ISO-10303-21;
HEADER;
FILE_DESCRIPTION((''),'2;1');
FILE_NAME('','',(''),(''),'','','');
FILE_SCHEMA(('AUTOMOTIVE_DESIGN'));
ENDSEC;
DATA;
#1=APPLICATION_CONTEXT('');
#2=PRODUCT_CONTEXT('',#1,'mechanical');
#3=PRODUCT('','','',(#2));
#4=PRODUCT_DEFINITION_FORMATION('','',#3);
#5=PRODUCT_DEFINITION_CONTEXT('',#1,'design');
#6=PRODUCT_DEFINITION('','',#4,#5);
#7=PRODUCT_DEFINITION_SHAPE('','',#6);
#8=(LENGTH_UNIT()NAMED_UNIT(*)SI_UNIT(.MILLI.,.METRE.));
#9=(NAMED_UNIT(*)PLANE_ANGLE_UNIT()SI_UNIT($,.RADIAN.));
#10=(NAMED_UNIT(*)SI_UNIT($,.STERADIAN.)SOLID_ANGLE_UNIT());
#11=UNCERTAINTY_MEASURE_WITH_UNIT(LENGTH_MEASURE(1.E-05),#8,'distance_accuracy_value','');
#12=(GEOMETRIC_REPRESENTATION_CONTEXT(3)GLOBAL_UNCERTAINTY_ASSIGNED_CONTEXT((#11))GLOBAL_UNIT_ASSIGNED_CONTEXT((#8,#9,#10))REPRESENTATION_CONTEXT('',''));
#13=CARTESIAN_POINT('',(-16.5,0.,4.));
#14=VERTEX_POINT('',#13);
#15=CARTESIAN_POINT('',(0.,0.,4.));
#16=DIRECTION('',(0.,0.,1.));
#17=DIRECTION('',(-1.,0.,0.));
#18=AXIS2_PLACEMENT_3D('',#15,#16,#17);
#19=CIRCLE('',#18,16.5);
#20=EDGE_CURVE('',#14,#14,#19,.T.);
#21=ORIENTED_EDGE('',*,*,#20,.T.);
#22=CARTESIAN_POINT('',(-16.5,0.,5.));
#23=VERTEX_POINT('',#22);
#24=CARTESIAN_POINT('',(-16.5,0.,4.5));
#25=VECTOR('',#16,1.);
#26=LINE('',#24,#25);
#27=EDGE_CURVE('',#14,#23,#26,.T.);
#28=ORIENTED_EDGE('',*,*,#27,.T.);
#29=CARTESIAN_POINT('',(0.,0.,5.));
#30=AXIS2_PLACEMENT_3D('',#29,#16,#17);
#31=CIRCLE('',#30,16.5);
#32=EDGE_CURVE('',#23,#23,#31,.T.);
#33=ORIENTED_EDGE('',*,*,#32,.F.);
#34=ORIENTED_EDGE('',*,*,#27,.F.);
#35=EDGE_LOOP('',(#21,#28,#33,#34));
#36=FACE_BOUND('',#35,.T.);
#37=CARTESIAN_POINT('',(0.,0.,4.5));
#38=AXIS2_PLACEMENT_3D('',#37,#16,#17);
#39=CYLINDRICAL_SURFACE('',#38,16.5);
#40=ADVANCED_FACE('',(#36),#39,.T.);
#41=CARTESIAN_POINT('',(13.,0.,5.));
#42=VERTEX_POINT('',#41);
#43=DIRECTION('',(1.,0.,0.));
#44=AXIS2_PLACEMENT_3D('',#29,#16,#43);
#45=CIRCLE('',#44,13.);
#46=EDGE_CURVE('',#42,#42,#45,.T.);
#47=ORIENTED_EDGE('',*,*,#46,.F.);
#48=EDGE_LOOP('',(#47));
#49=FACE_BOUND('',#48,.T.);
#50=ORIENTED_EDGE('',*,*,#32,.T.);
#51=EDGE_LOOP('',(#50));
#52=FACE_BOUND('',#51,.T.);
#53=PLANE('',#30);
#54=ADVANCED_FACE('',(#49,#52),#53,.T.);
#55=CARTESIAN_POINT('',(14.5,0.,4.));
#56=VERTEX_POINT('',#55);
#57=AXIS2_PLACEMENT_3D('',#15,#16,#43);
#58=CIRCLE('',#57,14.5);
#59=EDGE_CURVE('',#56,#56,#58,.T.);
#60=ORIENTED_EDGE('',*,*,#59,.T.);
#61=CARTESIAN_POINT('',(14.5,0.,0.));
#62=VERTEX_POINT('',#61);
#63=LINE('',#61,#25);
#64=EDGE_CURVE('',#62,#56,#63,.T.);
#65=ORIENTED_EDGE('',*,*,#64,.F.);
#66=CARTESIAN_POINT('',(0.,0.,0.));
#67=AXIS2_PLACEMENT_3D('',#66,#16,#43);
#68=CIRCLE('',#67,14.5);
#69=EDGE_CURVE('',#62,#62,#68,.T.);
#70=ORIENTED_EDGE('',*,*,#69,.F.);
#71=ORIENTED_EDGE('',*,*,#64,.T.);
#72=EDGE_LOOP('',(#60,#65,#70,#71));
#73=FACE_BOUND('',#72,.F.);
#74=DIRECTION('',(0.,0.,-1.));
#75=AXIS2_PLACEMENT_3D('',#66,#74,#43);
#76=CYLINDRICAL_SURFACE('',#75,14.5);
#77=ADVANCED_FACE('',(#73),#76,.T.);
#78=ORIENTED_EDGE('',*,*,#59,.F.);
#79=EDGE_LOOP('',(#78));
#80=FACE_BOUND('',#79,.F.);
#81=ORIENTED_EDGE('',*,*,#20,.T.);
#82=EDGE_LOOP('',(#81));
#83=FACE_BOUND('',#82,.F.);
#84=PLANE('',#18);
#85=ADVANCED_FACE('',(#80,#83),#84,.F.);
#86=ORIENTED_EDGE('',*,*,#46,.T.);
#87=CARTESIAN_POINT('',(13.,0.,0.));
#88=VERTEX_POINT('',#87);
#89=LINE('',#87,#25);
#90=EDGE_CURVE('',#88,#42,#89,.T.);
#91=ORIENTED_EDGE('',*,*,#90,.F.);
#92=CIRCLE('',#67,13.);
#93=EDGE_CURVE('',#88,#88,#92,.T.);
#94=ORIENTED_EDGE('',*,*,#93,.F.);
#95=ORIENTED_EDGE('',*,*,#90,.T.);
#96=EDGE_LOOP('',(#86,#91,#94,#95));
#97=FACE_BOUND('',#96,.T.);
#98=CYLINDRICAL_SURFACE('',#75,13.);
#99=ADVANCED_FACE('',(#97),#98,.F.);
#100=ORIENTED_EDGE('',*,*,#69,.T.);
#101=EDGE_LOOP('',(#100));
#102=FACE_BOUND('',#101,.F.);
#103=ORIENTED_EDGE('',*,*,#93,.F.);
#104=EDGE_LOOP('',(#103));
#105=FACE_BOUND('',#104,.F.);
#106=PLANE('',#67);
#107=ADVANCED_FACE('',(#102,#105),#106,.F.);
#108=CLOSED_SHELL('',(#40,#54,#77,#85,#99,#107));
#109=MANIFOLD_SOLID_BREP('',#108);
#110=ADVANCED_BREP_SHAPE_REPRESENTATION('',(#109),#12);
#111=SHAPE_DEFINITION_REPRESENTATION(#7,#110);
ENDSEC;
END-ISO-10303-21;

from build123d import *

# Parameters (mm, degrees)
F0_R     = 14.5
F0_R_2   = 13
F1_DEPTH = 5
F2_W     = 2
F2_H     = 1


with BuildPart() as f1:
    # F0 (on Top) → F1 (new body)
    with BuildSketch(Plane.XY):
        Circle(F0_R)
        Circle(F0_R_2, mode=Mode.SUBTRACT)
    extrude(amount=F1_DEPTH)

    # F2 (on Front) → F3 (revolve)
    with BuildSketch(Plane.XZ):
        with Locations((-15.5, 4.5)):
            Rectangle(F2_W, F2_H)
    revolve(axis=Axis((0, 0, 17.343897), (0, 0, 1)))


solid = f1.part
